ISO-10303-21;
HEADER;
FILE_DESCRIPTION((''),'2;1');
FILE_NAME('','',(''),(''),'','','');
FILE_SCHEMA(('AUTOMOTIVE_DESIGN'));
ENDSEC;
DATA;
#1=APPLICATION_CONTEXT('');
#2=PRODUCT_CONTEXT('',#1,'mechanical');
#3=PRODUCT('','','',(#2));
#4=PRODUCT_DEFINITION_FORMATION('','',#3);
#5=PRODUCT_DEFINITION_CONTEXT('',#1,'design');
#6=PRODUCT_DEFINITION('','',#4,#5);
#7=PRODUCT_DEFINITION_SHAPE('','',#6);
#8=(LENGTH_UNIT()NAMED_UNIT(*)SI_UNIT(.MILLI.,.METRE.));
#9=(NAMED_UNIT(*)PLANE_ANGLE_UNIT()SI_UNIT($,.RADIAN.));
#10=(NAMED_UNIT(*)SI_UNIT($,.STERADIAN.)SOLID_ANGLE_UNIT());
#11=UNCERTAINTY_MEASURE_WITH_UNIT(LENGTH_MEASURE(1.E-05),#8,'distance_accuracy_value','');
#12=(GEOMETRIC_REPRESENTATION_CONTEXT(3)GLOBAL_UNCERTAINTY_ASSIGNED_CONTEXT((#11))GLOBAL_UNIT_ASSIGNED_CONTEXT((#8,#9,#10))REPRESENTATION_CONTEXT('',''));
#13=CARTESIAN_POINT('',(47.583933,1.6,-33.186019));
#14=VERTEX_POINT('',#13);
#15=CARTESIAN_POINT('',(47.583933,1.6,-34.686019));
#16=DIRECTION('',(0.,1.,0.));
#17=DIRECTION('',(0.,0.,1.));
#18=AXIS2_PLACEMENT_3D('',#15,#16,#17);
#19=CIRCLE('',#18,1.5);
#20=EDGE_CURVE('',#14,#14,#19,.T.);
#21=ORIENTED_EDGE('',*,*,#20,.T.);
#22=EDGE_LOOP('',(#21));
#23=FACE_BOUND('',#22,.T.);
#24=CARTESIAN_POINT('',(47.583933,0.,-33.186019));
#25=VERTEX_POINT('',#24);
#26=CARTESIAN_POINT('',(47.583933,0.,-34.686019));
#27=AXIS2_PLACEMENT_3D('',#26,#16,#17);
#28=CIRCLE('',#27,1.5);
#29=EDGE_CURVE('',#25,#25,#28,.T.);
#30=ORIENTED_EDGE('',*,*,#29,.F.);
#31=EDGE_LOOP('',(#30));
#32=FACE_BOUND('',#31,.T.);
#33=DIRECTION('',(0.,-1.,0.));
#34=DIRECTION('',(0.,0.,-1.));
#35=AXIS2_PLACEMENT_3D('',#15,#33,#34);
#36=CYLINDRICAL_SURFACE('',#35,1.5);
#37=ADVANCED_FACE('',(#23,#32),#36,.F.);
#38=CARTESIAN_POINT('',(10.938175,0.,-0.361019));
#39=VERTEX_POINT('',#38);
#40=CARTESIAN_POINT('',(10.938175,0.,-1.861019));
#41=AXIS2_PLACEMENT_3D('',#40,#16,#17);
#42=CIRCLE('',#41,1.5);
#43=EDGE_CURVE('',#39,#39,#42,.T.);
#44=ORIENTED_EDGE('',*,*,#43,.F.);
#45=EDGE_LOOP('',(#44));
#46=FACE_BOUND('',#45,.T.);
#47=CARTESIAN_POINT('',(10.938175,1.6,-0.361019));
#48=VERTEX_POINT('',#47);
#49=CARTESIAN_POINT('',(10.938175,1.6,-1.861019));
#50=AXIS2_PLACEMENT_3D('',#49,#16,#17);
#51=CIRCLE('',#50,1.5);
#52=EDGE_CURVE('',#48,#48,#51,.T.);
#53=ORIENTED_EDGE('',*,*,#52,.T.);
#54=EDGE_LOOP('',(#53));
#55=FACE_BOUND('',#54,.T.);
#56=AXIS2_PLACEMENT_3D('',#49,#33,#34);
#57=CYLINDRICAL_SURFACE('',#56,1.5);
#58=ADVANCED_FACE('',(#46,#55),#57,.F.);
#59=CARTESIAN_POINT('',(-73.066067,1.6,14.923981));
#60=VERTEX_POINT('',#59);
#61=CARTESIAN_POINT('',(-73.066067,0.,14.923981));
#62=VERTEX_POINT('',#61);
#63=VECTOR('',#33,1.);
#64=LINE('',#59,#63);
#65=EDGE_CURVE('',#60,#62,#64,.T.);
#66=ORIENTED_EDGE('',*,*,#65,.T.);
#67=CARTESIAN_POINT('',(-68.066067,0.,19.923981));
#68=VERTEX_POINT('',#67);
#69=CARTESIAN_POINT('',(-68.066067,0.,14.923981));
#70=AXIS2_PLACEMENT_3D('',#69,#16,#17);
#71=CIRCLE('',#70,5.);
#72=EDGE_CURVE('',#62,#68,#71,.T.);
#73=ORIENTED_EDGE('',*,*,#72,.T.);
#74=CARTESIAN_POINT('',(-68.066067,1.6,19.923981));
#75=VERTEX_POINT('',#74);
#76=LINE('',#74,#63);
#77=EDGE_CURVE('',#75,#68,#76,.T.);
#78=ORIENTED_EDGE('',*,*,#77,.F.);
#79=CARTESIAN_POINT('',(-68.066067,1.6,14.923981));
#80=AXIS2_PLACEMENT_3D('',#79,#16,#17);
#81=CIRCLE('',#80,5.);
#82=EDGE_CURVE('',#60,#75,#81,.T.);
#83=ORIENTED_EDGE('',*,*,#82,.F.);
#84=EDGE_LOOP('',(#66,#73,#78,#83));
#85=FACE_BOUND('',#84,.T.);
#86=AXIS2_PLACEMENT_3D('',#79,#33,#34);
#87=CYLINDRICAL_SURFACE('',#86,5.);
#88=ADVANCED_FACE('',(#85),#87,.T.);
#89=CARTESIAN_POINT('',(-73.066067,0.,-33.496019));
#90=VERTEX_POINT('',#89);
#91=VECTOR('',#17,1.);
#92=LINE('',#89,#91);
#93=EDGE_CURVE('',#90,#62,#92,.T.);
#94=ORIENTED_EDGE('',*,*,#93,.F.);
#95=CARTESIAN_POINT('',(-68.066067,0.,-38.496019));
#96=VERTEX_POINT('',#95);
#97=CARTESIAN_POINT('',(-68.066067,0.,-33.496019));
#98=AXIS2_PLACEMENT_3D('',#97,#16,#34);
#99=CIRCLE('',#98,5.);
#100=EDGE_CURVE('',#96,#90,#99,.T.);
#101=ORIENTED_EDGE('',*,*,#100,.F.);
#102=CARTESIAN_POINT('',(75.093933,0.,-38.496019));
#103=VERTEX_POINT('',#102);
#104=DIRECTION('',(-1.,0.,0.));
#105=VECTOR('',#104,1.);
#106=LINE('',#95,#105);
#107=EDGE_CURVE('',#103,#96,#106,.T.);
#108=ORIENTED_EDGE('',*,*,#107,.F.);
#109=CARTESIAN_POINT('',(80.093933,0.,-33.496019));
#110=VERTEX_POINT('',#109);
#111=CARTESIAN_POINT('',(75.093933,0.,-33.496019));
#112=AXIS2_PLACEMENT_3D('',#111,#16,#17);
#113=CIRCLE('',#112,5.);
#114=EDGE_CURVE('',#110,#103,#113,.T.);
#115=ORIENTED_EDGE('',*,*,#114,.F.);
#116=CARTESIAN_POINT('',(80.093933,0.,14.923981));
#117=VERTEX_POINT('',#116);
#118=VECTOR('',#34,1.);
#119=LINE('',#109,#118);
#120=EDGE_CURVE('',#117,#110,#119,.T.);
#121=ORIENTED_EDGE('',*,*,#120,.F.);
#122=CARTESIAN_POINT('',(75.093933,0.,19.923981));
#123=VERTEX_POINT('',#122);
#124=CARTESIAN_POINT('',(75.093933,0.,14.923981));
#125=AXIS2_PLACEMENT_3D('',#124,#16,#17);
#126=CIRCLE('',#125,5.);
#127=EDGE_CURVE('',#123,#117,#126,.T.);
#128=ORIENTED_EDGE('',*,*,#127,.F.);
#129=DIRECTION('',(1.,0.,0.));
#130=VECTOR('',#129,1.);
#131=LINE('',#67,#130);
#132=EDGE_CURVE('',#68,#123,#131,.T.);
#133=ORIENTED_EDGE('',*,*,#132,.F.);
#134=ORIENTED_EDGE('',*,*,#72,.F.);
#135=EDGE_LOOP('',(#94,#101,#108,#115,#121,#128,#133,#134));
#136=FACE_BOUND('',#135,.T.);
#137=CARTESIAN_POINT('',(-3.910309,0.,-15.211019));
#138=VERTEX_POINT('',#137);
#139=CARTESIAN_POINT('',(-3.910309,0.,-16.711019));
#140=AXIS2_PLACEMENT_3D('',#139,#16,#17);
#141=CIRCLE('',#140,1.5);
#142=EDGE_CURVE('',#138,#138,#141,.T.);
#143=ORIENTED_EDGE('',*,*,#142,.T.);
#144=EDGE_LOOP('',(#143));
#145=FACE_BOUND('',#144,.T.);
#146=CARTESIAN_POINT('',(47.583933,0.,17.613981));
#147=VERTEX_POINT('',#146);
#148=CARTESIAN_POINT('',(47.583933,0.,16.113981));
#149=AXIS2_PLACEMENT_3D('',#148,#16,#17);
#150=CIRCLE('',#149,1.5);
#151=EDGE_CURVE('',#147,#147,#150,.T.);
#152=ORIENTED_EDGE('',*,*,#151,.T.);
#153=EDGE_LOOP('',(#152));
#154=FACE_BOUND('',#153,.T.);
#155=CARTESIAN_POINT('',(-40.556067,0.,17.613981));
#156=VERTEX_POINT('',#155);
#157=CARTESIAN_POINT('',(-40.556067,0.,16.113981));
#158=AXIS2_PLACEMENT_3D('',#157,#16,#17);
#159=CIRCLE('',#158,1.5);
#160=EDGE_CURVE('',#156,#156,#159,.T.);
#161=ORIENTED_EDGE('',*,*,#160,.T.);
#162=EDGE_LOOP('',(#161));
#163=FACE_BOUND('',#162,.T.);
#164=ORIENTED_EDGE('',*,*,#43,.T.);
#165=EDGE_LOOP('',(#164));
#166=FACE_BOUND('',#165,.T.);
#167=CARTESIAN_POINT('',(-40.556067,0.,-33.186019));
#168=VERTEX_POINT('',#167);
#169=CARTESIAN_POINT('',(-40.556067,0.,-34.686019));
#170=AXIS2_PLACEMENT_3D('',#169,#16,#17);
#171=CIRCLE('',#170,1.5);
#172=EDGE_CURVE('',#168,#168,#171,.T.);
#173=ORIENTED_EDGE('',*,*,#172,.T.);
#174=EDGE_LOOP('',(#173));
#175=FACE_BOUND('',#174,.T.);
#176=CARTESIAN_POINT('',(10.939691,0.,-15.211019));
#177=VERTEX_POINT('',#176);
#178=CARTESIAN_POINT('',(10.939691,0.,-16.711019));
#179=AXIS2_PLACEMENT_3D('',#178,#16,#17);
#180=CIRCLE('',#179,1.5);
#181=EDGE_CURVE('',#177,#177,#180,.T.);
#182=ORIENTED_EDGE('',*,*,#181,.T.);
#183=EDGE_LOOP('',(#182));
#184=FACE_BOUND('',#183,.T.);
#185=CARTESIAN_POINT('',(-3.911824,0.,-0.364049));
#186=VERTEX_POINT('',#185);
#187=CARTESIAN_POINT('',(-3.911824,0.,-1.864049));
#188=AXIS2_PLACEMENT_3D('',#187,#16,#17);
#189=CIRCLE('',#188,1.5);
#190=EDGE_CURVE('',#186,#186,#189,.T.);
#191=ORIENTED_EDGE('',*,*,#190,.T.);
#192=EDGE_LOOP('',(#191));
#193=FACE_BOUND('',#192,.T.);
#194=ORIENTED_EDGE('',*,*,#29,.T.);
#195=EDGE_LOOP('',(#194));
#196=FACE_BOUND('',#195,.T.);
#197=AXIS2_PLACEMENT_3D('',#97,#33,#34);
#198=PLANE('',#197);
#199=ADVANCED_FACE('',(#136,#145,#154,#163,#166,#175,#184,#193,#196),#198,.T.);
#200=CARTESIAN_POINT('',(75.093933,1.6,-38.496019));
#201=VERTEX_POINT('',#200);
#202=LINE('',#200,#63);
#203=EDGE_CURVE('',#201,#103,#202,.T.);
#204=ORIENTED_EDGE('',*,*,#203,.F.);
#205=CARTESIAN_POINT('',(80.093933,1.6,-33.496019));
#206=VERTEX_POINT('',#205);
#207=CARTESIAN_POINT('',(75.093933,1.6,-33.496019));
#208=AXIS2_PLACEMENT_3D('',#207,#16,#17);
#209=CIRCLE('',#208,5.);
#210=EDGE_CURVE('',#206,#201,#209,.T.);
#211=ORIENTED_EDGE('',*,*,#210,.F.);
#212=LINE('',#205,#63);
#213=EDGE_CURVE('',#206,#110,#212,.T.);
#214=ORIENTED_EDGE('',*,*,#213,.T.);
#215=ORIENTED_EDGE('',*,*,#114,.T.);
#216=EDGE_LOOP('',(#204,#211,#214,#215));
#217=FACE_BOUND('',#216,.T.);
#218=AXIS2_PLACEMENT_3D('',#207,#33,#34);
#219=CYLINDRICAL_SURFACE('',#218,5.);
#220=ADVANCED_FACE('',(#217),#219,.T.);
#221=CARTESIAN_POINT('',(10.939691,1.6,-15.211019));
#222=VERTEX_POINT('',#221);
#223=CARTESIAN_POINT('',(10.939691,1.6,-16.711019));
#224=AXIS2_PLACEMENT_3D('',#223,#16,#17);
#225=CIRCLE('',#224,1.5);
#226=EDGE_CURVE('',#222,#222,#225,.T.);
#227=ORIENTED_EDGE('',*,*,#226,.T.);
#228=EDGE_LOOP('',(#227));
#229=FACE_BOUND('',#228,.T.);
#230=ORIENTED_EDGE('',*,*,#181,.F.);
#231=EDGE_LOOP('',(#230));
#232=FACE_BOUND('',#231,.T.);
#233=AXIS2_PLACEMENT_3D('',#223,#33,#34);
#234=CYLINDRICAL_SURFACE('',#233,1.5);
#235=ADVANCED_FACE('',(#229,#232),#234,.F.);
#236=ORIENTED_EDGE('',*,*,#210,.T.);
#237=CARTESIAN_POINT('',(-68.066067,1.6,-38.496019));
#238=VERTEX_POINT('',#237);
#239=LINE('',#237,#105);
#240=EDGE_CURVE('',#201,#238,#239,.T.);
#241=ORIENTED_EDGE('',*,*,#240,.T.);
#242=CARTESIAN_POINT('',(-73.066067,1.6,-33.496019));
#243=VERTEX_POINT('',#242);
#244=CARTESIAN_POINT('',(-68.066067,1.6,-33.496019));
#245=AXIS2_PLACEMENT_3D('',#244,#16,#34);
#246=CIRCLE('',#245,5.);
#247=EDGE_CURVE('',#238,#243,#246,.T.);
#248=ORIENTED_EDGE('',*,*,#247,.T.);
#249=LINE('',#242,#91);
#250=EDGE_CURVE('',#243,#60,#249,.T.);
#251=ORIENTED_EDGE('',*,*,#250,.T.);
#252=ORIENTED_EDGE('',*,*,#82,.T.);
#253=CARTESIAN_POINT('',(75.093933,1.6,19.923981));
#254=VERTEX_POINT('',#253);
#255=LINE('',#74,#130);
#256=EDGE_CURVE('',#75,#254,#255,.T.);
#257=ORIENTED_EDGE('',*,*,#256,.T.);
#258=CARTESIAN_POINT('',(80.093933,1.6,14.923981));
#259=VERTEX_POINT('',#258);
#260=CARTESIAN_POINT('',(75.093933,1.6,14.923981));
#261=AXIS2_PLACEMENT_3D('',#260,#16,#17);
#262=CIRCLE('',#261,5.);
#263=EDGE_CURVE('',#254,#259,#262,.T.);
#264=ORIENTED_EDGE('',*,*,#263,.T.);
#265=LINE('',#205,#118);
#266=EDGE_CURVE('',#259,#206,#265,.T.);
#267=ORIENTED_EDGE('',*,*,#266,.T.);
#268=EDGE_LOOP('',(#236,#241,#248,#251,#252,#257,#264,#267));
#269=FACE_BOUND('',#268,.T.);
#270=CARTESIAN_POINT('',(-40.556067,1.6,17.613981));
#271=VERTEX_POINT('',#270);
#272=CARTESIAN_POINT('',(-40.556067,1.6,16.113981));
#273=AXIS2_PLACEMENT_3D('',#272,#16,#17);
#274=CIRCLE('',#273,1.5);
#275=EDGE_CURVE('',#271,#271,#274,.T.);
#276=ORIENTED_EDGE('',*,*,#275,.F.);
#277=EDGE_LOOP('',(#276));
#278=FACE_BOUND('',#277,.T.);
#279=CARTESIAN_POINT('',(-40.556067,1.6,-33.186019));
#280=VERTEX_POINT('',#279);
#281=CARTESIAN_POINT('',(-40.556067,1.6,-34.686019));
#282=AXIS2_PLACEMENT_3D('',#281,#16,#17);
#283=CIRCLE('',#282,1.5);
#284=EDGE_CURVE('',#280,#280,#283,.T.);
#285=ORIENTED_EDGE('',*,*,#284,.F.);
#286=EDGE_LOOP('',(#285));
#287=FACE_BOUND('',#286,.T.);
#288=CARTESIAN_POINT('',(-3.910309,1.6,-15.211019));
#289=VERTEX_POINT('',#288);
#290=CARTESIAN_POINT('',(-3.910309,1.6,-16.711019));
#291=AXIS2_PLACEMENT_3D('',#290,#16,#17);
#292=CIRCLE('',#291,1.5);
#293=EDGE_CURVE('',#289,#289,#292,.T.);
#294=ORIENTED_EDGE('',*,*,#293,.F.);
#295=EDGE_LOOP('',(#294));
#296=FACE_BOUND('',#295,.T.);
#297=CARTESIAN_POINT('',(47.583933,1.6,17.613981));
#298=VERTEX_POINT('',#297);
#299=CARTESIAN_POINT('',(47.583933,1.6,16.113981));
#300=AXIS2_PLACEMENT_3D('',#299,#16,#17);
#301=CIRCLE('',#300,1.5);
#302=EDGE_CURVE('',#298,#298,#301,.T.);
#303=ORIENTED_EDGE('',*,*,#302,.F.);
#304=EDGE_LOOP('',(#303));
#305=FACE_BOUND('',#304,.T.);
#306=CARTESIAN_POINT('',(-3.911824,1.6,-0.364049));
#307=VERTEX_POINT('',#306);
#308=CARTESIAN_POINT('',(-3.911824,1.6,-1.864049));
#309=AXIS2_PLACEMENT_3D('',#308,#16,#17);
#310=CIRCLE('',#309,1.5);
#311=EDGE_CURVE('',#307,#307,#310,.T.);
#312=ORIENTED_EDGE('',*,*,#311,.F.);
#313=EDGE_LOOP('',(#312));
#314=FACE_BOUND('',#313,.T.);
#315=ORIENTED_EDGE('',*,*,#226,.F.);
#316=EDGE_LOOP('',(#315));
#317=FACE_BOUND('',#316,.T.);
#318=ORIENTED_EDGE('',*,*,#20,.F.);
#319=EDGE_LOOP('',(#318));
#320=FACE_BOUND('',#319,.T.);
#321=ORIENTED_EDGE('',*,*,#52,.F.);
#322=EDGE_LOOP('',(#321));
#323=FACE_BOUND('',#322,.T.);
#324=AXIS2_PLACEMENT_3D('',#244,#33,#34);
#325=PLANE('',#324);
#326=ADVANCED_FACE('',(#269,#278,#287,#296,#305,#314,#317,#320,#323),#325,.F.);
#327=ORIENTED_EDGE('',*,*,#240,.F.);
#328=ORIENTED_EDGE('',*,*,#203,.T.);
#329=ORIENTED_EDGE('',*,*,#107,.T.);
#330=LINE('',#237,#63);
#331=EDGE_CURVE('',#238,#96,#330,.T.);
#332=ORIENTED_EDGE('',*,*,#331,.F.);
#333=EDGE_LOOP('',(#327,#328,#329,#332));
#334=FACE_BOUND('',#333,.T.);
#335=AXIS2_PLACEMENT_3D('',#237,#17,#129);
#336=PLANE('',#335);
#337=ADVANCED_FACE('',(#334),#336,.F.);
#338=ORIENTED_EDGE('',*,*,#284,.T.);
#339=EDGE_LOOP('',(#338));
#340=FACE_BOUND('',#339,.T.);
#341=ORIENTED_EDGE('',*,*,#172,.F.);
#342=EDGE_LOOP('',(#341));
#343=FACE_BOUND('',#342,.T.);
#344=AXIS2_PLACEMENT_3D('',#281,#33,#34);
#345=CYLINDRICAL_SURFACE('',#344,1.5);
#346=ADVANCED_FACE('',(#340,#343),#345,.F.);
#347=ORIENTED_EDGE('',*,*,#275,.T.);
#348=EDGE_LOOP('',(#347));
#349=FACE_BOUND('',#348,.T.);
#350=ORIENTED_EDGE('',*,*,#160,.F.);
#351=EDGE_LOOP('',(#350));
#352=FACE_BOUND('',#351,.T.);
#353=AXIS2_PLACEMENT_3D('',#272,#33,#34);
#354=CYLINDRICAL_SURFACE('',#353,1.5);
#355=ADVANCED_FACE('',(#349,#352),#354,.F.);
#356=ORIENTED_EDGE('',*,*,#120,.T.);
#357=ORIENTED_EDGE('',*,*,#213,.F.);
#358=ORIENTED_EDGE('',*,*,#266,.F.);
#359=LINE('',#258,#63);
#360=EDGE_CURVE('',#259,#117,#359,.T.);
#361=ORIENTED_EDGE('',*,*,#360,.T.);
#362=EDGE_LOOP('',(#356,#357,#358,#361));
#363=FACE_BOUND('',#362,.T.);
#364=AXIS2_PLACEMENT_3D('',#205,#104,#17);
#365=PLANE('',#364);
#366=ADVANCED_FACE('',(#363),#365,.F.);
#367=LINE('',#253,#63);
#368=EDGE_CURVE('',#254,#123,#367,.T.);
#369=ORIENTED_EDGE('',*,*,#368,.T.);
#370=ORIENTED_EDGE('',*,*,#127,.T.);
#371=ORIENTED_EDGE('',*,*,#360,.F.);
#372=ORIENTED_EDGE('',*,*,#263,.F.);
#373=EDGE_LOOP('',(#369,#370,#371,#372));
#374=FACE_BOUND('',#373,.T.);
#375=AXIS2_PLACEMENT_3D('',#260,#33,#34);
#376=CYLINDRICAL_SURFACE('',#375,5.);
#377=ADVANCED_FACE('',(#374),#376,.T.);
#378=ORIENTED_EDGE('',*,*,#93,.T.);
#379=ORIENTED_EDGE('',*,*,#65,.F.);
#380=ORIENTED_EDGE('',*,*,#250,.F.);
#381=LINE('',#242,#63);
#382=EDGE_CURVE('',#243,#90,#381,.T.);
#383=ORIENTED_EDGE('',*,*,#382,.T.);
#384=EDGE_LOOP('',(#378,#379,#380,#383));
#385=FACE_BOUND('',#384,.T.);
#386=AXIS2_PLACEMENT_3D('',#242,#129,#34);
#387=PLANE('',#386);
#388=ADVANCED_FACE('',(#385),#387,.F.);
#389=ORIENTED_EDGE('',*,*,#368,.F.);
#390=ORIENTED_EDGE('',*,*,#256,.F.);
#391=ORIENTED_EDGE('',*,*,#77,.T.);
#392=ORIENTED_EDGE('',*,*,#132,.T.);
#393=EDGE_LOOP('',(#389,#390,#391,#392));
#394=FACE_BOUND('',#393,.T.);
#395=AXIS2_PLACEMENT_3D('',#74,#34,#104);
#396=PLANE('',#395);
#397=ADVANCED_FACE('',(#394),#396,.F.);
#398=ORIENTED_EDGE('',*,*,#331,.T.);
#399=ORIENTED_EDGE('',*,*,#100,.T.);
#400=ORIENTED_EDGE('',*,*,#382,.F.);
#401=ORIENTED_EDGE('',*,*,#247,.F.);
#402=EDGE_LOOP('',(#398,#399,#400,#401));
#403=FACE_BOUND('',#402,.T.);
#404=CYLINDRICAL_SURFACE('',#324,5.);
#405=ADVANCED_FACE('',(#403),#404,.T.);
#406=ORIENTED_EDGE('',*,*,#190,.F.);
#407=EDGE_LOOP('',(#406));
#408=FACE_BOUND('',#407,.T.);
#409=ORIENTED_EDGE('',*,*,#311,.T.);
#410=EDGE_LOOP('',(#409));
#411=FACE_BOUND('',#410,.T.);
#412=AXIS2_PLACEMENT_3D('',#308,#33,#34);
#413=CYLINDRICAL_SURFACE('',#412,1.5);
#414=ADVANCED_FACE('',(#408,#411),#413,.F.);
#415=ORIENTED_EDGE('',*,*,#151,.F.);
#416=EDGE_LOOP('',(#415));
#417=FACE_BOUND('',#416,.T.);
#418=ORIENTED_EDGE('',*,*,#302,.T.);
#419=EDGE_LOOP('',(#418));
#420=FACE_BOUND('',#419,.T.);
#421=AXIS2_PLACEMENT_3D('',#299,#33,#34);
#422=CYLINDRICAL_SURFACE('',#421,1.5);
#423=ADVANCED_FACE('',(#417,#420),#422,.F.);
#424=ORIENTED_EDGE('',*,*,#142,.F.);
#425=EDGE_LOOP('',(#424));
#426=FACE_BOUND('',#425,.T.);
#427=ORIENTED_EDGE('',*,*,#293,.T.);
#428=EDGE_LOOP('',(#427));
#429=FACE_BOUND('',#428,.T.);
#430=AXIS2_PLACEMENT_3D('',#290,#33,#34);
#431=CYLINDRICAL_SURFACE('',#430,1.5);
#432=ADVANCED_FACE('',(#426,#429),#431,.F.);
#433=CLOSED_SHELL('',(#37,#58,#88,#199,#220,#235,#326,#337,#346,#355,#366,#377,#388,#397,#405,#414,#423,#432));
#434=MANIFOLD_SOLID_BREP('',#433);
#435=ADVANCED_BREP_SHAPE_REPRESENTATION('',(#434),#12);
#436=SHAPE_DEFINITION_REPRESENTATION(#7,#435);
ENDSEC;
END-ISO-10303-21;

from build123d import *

# Parameters (mm, degrees)
SKETCH_1_R      = 1.5
EXTRUDE_1_DEPTH = 1.6


with BuildPart() as part:
    # 草图1 → 凸台-拉伸1 (new body)
    with BuildSketch(Plane(origin=(0, 0, 0), x_dir=(1, 0, 0), z_dir=(0, 1, 0))):
        with BuildLine():
            Line((-68.066067042, 38.496019103), (75.093932958, 38.496019103))
            ThreePointArc((75.093932958, 38.496019103), (78.629466864, 37.031553009), (80.093932958, 33.496019103))
            Line((80.093932958, 33.496019103), (80.093932958, -14.923980897))
            ThreePointArc((80.093932958, -14.923980897), (78.629466864, -18.459514803), (75.093932958, -19.923980897))
            Line((75.093932958, -19.923980897), (-68.066067042, -19.923980897))
            ThreePointArc((-68.066067042, -19.923980897), (-71.601600948, -18.459514803), (-73.066067042, -14.923980897))
            Line((-73.066067042, -14.923980897), (-73.066067042, 33.496019103))
            ThreePointArc((-73.066067042, 33.496019103), (-71.601600948, 37.031553009), (-68.066067042, 38.496019103))
        make_face()
        with Locations(Location((-40.556067042, 34.686019103, 0), (0, 0, 270))):
            Circle(SKETCH_1_R, mode=Mode.SUBTRACT)
        with Locations(Location((-40.556067042, -16.113980897, 0), (0, 0, 270))):
            Circle(SKETCH_1_R, mode=Mode.SUBTRACT)
        with Locations(Location((47.583932958, 34.686019103, 0), (0, 0, 270))):
            Circle(SKETCH_1_R, mode=Mode.SUBTRACT)
        with Locations(Location((47.583932958, -16.113980897, 0), (0, 0, 270))):
            Circle(SKETCH_1_R, mode=Mode.SUBTRACT)
        with Locations(Location((-3.910309428, 16.711019103, 0), (0, 0, 270))):
            Circle(SKETCH_1_R, mode=Mode.SUBTRACT)
        with Locations(Location((10.938175421, 1.86101918, 0), (0, 0, 270))):
            Circle(SKETCH_1_R, mode=Mode.SUBTRACT)
        with Locations(Location((10.939690572, 16.711019103, 0), (0, 0, 270))):
            Circle(SKETCH_1_R, mode=Mode.SUBTRACT)
        with Locations(Location((-3.91182427, 1.864049483, 0), (0, 0, 270))):
            Circle(SKETCH_1_R, mode=Mode.SUBTRACT)
    extrude(amount=EXTRUDE_1_DEPTH)


solid = part.part
